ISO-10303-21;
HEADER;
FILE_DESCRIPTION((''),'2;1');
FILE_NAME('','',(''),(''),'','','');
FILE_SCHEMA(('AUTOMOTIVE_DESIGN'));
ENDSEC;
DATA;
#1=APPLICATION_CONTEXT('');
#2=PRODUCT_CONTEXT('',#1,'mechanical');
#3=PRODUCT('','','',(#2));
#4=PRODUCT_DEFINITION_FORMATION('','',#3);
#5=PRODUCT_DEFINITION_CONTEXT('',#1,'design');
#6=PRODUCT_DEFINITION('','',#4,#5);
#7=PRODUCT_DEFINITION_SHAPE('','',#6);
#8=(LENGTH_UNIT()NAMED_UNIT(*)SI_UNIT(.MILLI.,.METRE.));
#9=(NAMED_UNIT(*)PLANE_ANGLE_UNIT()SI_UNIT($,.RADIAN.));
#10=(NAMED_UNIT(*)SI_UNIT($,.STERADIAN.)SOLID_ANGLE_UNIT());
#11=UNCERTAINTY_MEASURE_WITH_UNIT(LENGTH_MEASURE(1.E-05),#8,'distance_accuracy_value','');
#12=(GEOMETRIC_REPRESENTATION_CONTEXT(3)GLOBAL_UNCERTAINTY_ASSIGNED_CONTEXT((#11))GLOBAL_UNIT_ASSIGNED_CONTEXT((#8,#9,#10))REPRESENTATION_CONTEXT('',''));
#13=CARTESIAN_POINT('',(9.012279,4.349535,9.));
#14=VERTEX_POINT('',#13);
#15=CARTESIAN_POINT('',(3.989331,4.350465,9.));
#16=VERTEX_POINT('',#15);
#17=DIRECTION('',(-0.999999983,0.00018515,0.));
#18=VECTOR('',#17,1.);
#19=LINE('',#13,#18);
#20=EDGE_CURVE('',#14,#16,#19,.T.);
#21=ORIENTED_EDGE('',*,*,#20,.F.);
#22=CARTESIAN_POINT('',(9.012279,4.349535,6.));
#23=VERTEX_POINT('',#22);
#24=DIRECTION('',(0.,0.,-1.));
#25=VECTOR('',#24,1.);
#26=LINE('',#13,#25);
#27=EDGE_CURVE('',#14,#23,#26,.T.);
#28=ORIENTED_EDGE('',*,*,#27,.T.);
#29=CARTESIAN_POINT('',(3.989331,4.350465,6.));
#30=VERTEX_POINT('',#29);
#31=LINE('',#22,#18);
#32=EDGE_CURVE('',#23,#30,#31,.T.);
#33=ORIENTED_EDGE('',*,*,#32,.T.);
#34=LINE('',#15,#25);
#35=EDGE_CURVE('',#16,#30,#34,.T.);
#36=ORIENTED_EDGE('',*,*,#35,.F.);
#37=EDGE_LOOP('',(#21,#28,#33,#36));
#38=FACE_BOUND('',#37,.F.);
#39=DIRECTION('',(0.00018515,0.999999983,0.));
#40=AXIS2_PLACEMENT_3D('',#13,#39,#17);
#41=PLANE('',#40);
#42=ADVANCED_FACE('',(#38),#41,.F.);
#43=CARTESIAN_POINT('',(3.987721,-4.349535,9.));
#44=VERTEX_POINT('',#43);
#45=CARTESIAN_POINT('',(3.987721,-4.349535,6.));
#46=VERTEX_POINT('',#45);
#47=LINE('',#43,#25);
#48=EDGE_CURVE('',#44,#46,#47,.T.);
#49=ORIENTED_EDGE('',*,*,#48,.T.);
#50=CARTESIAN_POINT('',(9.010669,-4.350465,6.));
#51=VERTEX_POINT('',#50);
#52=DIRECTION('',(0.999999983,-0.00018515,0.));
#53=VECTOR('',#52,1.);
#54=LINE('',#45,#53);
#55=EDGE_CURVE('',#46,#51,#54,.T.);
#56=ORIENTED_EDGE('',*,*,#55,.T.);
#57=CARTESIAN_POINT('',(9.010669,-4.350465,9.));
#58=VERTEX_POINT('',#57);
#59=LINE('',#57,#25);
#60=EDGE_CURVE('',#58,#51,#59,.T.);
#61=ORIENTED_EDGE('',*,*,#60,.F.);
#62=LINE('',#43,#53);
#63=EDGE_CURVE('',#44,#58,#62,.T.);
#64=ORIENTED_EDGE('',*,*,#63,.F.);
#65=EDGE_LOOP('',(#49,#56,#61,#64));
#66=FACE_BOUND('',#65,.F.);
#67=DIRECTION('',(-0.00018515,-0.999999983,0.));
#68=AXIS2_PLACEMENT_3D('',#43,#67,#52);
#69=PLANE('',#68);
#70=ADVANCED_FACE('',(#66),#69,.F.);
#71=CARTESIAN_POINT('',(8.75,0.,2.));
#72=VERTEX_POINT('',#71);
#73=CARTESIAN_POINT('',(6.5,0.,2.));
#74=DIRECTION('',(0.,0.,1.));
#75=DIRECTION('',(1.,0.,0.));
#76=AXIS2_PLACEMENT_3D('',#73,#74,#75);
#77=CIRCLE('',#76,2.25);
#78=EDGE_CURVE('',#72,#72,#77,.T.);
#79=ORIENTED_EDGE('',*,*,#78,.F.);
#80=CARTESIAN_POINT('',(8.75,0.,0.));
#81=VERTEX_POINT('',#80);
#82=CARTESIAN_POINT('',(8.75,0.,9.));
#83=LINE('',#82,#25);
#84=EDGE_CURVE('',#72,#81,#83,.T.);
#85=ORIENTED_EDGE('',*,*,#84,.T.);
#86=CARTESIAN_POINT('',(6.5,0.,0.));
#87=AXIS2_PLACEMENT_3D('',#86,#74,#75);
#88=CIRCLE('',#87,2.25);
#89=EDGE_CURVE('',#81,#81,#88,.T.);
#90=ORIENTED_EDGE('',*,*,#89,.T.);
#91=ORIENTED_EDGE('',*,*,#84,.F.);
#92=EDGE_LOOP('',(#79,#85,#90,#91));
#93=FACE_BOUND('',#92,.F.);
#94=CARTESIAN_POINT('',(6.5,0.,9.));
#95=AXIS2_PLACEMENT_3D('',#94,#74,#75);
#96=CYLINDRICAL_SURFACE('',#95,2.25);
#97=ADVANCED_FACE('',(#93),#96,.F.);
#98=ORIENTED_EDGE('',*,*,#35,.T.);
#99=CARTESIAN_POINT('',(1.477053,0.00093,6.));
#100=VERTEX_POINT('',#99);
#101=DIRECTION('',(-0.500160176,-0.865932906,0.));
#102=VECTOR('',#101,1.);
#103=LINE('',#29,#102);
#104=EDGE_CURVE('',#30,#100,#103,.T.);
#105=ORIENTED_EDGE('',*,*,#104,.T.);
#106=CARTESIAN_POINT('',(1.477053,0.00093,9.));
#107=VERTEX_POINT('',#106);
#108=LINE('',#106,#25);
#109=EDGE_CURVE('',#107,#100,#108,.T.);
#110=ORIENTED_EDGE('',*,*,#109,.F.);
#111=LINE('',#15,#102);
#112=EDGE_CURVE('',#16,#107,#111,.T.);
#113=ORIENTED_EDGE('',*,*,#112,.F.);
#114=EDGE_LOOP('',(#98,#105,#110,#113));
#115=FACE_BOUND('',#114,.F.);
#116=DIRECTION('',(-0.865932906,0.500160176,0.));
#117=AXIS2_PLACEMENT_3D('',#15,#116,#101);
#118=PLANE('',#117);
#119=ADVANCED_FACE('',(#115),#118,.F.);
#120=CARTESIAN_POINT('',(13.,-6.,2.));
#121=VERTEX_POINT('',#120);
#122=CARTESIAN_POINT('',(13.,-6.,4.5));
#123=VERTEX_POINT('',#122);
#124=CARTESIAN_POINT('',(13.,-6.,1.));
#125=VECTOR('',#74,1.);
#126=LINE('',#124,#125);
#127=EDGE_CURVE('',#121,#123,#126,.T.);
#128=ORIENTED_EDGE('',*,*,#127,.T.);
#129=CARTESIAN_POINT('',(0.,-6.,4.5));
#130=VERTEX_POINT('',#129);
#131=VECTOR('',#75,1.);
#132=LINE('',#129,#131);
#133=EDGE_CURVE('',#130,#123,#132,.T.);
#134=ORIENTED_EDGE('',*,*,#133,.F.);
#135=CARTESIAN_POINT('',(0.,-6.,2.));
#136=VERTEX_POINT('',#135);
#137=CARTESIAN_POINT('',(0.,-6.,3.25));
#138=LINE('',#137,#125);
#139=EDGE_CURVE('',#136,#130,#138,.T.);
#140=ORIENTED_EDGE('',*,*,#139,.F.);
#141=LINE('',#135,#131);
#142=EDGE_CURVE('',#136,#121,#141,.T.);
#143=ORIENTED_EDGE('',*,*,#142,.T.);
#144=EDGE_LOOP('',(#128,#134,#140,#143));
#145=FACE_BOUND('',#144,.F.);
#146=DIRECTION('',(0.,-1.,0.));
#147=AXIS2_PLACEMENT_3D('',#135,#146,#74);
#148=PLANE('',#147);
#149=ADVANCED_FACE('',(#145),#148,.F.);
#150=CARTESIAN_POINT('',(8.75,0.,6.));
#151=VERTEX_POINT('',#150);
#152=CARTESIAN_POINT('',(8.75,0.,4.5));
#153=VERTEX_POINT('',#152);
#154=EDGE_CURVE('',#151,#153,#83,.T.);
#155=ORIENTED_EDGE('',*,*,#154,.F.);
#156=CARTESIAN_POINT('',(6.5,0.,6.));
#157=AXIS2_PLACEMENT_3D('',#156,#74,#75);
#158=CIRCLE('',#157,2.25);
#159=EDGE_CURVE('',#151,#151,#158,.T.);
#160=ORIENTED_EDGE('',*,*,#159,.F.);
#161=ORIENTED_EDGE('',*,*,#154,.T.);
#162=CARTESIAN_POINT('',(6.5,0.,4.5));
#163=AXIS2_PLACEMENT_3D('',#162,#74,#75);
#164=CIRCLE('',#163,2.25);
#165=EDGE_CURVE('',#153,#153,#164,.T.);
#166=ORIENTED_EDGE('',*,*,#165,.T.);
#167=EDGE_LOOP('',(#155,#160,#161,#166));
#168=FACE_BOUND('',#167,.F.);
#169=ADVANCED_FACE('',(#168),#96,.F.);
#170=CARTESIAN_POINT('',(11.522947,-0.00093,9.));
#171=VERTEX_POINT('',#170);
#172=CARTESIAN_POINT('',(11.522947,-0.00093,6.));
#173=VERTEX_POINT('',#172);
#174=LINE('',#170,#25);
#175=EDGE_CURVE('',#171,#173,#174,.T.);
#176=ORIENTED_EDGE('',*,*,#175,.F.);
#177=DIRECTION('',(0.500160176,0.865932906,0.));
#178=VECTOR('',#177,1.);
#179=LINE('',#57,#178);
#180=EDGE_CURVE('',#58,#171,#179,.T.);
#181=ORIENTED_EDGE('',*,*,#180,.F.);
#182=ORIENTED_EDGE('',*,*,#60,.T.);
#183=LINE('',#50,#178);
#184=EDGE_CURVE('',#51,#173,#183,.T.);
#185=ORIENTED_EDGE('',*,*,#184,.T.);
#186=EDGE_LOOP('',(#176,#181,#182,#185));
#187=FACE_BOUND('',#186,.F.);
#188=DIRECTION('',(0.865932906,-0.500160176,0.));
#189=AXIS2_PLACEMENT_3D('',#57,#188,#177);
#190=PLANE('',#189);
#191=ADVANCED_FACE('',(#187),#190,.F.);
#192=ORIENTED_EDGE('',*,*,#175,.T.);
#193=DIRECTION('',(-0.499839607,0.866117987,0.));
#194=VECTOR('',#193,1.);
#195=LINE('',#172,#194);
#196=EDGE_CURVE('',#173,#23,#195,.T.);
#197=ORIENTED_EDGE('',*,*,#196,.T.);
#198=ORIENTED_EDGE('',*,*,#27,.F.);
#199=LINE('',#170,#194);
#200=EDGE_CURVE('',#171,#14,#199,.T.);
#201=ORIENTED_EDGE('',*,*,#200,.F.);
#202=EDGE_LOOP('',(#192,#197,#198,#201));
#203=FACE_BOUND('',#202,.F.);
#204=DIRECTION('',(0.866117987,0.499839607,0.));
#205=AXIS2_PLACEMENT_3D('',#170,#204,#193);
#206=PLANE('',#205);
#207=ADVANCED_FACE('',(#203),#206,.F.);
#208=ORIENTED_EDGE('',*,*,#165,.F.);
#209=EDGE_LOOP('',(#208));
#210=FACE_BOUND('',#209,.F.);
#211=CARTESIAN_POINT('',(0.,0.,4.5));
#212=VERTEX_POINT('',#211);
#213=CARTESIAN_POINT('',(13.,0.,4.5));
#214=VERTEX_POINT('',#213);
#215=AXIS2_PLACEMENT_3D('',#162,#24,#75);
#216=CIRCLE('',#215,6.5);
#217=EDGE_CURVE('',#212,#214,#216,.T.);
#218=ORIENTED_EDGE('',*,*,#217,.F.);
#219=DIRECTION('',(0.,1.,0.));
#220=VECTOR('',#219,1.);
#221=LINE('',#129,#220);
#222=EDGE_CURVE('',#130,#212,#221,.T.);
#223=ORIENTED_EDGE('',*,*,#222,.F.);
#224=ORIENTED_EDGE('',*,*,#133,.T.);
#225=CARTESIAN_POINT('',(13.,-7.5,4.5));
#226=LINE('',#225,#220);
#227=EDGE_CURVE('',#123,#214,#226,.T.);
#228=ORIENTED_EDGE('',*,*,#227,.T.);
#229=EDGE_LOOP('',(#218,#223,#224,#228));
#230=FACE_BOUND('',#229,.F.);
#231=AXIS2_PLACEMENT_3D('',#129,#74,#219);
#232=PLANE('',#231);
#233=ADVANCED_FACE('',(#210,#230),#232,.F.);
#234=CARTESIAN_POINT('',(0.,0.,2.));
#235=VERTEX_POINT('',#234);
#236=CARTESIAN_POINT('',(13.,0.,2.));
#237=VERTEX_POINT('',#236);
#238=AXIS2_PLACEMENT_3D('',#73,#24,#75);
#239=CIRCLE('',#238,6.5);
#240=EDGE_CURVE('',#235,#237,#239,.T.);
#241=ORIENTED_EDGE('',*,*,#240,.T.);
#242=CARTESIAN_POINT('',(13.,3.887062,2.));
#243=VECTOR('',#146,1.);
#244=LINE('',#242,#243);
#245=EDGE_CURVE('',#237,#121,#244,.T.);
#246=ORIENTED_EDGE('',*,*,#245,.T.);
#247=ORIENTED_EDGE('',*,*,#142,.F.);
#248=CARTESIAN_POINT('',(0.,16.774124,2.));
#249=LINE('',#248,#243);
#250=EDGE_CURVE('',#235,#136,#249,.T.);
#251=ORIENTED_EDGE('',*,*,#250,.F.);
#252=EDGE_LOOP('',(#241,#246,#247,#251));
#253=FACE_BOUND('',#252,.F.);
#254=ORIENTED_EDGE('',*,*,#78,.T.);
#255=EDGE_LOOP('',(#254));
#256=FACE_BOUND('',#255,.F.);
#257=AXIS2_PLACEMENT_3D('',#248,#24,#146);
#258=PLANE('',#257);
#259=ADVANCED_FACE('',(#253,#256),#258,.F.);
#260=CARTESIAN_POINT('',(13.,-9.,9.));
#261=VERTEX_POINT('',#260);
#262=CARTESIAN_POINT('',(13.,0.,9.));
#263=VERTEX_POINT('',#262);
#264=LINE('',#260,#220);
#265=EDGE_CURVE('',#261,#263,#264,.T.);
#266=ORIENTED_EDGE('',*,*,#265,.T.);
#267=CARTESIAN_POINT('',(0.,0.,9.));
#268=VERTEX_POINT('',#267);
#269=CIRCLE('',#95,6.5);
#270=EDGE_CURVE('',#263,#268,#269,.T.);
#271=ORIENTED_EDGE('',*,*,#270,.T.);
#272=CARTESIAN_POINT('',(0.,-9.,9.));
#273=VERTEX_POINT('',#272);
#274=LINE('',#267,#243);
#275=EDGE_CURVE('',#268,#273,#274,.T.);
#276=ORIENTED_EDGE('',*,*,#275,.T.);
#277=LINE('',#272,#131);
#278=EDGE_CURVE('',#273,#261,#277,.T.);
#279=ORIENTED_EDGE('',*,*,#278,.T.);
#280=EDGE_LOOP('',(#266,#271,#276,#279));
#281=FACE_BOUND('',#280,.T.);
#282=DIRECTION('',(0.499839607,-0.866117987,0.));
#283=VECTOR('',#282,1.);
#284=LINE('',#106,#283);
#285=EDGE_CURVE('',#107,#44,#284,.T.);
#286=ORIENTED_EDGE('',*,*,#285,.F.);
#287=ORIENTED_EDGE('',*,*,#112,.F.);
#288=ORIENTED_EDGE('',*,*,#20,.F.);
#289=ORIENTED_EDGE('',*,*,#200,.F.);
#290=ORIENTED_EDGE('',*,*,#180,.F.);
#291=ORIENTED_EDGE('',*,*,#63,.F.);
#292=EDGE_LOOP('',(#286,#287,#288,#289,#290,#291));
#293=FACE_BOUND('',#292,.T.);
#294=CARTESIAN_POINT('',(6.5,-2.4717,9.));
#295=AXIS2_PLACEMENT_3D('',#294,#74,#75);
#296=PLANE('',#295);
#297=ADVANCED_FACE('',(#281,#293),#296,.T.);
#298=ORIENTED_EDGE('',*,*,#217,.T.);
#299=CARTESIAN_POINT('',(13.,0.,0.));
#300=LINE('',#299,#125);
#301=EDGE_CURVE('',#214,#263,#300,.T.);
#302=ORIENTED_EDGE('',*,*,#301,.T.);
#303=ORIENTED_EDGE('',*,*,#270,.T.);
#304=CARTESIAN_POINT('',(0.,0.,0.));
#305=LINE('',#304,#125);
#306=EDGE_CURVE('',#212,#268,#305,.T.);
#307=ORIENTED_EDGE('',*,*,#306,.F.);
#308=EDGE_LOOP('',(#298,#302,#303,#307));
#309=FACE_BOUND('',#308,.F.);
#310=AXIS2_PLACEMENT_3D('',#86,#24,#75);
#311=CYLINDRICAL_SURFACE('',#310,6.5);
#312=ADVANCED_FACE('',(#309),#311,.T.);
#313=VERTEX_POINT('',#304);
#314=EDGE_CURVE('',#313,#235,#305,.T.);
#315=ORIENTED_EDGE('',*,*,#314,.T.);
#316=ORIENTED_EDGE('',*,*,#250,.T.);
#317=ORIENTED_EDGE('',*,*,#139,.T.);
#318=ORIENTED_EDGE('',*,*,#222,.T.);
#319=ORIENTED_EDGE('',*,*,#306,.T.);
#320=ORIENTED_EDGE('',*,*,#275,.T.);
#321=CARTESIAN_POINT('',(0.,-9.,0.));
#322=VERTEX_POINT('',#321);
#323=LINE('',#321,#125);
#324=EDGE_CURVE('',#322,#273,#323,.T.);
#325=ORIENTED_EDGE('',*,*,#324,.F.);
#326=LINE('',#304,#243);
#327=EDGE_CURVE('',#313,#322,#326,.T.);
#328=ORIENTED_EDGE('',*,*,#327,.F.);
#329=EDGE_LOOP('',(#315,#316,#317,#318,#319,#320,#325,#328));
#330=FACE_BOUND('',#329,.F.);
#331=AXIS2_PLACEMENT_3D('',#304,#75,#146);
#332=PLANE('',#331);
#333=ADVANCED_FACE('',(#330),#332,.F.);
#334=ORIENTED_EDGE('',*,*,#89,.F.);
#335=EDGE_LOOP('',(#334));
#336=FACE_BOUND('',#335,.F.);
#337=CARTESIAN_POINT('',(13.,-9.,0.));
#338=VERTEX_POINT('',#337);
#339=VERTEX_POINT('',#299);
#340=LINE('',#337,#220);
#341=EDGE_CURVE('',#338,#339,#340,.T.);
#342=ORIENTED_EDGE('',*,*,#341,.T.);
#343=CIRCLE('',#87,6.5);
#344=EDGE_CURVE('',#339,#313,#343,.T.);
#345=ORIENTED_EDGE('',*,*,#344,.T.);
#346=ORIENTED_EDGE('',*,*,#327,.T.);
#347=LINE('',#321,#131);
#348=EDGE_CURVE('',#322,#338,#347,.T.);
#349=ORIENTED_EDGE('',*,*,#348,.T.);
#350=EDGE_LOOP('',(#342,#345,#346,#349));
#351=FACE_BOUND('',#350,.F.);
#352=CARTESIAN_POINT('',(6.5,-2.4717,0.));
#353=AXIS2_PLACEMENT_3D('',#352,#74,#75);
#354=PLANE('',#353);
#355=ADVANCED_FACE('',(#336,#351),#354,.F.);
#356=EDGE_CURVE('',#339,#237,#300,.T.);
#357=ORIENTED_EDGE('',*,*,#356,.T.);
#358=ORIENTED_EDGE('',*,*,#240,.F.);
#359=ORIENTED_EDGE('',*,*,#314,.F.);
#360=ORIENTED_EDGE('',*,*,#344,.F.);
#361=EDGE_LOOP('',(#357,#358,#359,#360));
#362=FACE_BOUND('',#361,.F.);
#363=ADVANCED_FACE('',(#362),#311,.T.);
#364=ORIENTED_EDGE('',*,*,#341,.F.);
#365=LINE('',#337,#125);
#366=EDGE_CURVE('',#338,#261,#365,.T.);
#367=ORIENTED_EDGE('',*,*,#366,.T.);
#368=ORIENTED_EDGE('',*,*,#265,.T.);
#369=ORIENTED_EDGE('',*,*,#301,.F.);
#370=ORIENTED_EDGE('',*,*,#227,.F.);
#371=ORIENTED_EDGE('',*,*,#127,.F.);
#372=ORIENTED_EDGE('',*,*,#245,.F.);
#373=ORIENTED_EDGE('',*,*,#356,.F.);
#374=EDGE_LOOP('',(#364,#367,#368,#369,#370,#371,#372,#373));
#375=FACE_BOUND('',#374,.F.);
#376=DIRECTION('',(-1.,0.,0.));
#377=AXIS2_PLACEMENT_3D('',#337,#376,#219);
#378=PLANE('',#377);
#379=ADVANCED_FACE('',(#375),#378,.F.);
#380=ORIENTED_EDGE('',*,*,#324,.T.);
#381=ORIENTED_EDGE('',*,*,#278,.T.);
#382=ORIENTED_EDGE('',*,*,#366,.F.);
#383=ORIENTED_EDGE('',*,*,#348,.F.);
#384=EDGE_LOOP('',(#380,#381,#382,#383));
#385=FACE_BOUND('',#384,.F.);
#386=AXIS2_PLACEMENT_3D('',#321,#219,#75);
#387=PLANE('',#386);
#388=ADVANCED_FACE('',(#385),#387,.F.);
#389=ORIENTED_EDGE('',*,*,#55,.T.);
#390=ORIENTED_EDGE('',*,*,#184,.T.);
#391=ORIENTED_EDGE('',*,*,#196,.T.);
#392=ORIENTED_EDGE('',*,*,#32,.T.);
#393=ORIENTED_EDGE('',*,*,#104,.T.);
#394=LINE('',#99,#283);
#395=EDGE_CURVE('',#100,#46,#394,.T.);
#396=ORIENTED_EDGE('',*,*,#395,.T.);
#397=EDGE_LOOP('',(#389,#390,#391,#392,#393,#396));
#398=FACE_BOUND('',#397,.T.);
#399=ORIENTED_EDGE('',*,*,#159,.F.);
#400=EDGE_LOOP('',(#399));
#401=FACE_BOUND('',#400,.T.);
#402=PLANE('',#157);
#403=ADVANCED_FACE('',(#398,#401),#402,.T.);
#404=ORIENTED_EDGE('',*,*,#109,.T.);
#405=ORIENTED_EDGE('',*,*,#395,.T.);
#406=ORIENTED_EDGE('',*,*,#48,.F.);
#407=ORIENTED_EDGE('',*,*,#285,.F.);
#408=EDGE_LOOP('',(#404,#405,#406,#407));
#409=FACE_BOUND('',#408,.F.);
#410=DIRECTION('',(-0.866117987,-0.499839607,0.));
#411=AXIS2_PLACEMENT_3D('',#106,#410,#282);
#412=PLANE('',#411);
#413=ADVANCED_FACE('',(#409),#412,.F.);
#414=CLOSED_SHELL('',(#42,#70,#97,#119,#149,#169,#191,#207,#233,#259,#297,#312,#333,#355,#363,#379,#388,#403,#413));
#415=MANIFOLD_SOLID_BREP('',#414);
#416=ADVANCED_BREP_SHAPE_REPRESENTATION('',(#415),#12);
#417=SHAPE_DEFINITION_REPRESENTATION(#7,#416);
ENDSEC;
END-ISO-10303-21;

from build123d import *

# Parameters (mm, degrees)
F1_DEPTH = 9
F3_DEPTH = 3
F4_R     = 2.25
F5_DEPTH = 25.4
F6_W     = 16.774124
F6_H     = 2.5
F6_W_2   = 6
F7_DEPTH = 25


with BuildPart() as f1:
    # F0 (on Top) → F1 (new body)
    with BuildSketch(Plane.XY):
        with BuildLine():
            ThreePointArc((13, 0), (6.5, 6.5), (0, 0))
            Line((0, 0), (0, -9))
            Line((0, -9), (13, -9))
            Line((13, -9), (13, 0))
        make_face()
    extrude(amount=F1_DEPTH)

    # F2 (on face) → F3 (cut)
    with BuildSketch(Plane.XY.offset(9)):
        Polygon((11.522947, -0.00093), (9.012279, 4.349535), (3.989331, 4.350465), (1.477053, 0.00093), (3.987721, -4.349535), (9.010669, -4.350465), align=None)
    extrude(amount=-F3_DEPTH, mode=Mode.SUBTRACT)

    # F4 (on face) → F5 (cut)
    with BuildSketch(Plane.XY.offset(9)):
        with Locations((6.5, 0)):
            Circle(F4_R)
    extrude(amount=-F5_DEPTH, mode=Mode.SUBTRACT)

    # F6 (on face) → F7 (cut)
    with BuildSketch(Plane(origin=(0, 0, 0), x_dir=(0, -1, 0), z_dir=(-1, 0, 0))):
        with Locations((-8.387062, 3.25)):
            Rectangle(F6_W, F6_H)
        with Locations((3, 3.25)):
            Rectangle(F6_W_2, F6_H)
    extrude(amount=-F7_DEPTH, mode=Mode.SUBTRACT)


solid = f1.part
